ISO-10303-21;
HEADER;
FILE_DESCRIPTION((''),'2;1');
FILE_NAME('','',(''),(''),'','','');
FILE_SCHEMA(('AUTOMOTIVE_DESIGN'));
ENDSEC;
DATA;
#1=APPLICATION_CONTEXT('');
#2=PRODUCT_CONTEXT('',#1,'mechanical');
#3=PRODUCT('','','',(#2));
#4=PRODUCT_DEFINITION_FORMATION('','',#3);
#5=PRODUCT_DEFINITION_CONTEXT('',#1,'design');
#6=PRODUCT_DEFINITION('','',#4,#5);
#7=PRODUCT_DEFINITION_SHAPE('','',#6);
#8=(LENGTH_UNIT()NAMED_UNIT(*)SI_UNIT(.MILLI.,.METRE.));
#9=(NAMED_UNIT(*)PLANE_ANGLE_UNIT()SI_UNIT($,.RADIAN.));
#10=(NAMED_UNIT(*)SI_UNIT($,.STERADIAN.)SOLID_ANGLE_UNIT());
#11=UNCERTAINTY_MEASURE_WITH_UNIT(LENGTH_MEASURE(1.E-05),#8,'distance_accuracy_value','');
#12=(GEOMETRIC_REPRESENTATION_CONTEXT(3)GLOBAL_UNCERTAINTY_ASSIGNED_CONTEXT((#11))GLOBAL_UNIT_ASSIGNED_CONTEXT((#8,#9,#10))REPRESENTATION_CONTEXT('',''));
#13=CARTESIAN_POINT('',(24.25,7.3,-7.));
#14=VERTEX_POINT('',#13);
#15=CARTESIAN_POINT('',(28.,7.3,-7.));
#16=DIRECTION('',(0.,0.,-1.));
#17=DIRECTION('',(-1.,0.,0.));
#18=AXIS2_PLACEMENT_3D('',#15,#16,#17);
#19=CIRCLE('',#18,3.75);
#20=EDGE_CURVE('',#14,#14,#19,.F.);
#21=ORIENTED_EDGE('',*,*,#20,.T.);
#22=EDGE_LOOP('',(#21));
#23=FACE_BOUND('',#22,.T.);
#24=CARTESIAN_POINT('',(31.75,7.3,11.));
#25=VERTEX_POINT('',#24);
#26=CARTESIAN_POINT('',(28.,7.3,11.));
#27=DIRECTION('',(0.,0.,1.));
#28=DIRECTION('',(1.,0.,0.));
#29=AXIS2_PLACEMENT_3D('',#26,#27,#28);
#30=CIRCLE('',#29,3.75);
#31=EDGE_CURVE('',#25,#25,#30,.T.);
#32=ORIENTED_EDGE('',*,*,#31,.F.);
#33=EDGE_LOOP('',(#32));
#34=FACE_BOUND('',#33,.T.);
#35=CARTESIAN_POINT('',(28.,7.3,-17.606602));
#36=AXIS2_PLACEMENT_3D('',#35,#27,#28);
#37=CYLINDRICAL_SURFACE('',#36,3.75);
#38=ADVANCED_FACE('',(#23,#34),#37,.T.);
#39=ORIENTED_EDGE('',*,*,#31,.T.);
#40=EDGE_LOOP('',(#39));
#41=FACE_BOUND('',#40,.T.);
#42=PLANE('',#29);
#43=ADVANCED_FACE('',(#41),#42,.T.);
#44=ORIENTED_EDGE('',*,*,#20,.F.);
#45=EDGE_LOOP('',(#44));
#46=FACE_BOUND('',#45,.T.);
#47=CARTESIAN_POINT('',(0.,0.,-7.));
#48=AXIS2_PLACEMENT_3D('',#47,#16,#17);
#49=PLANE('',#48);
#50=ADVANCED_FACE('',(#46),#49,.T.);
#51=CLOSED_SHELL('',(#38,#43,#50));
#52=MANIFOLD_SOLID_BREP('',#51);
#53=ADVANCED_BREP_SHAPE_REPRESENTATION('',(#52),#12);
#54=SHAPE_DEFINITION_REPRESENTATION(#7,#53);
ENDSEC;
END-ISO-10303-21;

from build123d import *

# Parameters (mm, degrees)
SKETCH1_R                = 3.75
BOSS_EXTRUDE1_DEPTH      = 17
BOSS_EXTRUDE1_DEPTH_BACK = 1


with BuildPart() as part:
    # Sketch1 → Boss-Extrude1 (new body, two sides)
    with BuildSketch(Plane.XY.offset(-6)) as boss_extrude1_sk:
        with Locations((28, 7.3)):
            Circle(SKETCH1_R)
    extrude(amount=BOSS_EXTRUDE1_DEPTH)
    extrude(boss_extrude1_sk.sketch, amount=-BOSS_EXTRUDE1_DEPTH_BACK)


solid = part.part
